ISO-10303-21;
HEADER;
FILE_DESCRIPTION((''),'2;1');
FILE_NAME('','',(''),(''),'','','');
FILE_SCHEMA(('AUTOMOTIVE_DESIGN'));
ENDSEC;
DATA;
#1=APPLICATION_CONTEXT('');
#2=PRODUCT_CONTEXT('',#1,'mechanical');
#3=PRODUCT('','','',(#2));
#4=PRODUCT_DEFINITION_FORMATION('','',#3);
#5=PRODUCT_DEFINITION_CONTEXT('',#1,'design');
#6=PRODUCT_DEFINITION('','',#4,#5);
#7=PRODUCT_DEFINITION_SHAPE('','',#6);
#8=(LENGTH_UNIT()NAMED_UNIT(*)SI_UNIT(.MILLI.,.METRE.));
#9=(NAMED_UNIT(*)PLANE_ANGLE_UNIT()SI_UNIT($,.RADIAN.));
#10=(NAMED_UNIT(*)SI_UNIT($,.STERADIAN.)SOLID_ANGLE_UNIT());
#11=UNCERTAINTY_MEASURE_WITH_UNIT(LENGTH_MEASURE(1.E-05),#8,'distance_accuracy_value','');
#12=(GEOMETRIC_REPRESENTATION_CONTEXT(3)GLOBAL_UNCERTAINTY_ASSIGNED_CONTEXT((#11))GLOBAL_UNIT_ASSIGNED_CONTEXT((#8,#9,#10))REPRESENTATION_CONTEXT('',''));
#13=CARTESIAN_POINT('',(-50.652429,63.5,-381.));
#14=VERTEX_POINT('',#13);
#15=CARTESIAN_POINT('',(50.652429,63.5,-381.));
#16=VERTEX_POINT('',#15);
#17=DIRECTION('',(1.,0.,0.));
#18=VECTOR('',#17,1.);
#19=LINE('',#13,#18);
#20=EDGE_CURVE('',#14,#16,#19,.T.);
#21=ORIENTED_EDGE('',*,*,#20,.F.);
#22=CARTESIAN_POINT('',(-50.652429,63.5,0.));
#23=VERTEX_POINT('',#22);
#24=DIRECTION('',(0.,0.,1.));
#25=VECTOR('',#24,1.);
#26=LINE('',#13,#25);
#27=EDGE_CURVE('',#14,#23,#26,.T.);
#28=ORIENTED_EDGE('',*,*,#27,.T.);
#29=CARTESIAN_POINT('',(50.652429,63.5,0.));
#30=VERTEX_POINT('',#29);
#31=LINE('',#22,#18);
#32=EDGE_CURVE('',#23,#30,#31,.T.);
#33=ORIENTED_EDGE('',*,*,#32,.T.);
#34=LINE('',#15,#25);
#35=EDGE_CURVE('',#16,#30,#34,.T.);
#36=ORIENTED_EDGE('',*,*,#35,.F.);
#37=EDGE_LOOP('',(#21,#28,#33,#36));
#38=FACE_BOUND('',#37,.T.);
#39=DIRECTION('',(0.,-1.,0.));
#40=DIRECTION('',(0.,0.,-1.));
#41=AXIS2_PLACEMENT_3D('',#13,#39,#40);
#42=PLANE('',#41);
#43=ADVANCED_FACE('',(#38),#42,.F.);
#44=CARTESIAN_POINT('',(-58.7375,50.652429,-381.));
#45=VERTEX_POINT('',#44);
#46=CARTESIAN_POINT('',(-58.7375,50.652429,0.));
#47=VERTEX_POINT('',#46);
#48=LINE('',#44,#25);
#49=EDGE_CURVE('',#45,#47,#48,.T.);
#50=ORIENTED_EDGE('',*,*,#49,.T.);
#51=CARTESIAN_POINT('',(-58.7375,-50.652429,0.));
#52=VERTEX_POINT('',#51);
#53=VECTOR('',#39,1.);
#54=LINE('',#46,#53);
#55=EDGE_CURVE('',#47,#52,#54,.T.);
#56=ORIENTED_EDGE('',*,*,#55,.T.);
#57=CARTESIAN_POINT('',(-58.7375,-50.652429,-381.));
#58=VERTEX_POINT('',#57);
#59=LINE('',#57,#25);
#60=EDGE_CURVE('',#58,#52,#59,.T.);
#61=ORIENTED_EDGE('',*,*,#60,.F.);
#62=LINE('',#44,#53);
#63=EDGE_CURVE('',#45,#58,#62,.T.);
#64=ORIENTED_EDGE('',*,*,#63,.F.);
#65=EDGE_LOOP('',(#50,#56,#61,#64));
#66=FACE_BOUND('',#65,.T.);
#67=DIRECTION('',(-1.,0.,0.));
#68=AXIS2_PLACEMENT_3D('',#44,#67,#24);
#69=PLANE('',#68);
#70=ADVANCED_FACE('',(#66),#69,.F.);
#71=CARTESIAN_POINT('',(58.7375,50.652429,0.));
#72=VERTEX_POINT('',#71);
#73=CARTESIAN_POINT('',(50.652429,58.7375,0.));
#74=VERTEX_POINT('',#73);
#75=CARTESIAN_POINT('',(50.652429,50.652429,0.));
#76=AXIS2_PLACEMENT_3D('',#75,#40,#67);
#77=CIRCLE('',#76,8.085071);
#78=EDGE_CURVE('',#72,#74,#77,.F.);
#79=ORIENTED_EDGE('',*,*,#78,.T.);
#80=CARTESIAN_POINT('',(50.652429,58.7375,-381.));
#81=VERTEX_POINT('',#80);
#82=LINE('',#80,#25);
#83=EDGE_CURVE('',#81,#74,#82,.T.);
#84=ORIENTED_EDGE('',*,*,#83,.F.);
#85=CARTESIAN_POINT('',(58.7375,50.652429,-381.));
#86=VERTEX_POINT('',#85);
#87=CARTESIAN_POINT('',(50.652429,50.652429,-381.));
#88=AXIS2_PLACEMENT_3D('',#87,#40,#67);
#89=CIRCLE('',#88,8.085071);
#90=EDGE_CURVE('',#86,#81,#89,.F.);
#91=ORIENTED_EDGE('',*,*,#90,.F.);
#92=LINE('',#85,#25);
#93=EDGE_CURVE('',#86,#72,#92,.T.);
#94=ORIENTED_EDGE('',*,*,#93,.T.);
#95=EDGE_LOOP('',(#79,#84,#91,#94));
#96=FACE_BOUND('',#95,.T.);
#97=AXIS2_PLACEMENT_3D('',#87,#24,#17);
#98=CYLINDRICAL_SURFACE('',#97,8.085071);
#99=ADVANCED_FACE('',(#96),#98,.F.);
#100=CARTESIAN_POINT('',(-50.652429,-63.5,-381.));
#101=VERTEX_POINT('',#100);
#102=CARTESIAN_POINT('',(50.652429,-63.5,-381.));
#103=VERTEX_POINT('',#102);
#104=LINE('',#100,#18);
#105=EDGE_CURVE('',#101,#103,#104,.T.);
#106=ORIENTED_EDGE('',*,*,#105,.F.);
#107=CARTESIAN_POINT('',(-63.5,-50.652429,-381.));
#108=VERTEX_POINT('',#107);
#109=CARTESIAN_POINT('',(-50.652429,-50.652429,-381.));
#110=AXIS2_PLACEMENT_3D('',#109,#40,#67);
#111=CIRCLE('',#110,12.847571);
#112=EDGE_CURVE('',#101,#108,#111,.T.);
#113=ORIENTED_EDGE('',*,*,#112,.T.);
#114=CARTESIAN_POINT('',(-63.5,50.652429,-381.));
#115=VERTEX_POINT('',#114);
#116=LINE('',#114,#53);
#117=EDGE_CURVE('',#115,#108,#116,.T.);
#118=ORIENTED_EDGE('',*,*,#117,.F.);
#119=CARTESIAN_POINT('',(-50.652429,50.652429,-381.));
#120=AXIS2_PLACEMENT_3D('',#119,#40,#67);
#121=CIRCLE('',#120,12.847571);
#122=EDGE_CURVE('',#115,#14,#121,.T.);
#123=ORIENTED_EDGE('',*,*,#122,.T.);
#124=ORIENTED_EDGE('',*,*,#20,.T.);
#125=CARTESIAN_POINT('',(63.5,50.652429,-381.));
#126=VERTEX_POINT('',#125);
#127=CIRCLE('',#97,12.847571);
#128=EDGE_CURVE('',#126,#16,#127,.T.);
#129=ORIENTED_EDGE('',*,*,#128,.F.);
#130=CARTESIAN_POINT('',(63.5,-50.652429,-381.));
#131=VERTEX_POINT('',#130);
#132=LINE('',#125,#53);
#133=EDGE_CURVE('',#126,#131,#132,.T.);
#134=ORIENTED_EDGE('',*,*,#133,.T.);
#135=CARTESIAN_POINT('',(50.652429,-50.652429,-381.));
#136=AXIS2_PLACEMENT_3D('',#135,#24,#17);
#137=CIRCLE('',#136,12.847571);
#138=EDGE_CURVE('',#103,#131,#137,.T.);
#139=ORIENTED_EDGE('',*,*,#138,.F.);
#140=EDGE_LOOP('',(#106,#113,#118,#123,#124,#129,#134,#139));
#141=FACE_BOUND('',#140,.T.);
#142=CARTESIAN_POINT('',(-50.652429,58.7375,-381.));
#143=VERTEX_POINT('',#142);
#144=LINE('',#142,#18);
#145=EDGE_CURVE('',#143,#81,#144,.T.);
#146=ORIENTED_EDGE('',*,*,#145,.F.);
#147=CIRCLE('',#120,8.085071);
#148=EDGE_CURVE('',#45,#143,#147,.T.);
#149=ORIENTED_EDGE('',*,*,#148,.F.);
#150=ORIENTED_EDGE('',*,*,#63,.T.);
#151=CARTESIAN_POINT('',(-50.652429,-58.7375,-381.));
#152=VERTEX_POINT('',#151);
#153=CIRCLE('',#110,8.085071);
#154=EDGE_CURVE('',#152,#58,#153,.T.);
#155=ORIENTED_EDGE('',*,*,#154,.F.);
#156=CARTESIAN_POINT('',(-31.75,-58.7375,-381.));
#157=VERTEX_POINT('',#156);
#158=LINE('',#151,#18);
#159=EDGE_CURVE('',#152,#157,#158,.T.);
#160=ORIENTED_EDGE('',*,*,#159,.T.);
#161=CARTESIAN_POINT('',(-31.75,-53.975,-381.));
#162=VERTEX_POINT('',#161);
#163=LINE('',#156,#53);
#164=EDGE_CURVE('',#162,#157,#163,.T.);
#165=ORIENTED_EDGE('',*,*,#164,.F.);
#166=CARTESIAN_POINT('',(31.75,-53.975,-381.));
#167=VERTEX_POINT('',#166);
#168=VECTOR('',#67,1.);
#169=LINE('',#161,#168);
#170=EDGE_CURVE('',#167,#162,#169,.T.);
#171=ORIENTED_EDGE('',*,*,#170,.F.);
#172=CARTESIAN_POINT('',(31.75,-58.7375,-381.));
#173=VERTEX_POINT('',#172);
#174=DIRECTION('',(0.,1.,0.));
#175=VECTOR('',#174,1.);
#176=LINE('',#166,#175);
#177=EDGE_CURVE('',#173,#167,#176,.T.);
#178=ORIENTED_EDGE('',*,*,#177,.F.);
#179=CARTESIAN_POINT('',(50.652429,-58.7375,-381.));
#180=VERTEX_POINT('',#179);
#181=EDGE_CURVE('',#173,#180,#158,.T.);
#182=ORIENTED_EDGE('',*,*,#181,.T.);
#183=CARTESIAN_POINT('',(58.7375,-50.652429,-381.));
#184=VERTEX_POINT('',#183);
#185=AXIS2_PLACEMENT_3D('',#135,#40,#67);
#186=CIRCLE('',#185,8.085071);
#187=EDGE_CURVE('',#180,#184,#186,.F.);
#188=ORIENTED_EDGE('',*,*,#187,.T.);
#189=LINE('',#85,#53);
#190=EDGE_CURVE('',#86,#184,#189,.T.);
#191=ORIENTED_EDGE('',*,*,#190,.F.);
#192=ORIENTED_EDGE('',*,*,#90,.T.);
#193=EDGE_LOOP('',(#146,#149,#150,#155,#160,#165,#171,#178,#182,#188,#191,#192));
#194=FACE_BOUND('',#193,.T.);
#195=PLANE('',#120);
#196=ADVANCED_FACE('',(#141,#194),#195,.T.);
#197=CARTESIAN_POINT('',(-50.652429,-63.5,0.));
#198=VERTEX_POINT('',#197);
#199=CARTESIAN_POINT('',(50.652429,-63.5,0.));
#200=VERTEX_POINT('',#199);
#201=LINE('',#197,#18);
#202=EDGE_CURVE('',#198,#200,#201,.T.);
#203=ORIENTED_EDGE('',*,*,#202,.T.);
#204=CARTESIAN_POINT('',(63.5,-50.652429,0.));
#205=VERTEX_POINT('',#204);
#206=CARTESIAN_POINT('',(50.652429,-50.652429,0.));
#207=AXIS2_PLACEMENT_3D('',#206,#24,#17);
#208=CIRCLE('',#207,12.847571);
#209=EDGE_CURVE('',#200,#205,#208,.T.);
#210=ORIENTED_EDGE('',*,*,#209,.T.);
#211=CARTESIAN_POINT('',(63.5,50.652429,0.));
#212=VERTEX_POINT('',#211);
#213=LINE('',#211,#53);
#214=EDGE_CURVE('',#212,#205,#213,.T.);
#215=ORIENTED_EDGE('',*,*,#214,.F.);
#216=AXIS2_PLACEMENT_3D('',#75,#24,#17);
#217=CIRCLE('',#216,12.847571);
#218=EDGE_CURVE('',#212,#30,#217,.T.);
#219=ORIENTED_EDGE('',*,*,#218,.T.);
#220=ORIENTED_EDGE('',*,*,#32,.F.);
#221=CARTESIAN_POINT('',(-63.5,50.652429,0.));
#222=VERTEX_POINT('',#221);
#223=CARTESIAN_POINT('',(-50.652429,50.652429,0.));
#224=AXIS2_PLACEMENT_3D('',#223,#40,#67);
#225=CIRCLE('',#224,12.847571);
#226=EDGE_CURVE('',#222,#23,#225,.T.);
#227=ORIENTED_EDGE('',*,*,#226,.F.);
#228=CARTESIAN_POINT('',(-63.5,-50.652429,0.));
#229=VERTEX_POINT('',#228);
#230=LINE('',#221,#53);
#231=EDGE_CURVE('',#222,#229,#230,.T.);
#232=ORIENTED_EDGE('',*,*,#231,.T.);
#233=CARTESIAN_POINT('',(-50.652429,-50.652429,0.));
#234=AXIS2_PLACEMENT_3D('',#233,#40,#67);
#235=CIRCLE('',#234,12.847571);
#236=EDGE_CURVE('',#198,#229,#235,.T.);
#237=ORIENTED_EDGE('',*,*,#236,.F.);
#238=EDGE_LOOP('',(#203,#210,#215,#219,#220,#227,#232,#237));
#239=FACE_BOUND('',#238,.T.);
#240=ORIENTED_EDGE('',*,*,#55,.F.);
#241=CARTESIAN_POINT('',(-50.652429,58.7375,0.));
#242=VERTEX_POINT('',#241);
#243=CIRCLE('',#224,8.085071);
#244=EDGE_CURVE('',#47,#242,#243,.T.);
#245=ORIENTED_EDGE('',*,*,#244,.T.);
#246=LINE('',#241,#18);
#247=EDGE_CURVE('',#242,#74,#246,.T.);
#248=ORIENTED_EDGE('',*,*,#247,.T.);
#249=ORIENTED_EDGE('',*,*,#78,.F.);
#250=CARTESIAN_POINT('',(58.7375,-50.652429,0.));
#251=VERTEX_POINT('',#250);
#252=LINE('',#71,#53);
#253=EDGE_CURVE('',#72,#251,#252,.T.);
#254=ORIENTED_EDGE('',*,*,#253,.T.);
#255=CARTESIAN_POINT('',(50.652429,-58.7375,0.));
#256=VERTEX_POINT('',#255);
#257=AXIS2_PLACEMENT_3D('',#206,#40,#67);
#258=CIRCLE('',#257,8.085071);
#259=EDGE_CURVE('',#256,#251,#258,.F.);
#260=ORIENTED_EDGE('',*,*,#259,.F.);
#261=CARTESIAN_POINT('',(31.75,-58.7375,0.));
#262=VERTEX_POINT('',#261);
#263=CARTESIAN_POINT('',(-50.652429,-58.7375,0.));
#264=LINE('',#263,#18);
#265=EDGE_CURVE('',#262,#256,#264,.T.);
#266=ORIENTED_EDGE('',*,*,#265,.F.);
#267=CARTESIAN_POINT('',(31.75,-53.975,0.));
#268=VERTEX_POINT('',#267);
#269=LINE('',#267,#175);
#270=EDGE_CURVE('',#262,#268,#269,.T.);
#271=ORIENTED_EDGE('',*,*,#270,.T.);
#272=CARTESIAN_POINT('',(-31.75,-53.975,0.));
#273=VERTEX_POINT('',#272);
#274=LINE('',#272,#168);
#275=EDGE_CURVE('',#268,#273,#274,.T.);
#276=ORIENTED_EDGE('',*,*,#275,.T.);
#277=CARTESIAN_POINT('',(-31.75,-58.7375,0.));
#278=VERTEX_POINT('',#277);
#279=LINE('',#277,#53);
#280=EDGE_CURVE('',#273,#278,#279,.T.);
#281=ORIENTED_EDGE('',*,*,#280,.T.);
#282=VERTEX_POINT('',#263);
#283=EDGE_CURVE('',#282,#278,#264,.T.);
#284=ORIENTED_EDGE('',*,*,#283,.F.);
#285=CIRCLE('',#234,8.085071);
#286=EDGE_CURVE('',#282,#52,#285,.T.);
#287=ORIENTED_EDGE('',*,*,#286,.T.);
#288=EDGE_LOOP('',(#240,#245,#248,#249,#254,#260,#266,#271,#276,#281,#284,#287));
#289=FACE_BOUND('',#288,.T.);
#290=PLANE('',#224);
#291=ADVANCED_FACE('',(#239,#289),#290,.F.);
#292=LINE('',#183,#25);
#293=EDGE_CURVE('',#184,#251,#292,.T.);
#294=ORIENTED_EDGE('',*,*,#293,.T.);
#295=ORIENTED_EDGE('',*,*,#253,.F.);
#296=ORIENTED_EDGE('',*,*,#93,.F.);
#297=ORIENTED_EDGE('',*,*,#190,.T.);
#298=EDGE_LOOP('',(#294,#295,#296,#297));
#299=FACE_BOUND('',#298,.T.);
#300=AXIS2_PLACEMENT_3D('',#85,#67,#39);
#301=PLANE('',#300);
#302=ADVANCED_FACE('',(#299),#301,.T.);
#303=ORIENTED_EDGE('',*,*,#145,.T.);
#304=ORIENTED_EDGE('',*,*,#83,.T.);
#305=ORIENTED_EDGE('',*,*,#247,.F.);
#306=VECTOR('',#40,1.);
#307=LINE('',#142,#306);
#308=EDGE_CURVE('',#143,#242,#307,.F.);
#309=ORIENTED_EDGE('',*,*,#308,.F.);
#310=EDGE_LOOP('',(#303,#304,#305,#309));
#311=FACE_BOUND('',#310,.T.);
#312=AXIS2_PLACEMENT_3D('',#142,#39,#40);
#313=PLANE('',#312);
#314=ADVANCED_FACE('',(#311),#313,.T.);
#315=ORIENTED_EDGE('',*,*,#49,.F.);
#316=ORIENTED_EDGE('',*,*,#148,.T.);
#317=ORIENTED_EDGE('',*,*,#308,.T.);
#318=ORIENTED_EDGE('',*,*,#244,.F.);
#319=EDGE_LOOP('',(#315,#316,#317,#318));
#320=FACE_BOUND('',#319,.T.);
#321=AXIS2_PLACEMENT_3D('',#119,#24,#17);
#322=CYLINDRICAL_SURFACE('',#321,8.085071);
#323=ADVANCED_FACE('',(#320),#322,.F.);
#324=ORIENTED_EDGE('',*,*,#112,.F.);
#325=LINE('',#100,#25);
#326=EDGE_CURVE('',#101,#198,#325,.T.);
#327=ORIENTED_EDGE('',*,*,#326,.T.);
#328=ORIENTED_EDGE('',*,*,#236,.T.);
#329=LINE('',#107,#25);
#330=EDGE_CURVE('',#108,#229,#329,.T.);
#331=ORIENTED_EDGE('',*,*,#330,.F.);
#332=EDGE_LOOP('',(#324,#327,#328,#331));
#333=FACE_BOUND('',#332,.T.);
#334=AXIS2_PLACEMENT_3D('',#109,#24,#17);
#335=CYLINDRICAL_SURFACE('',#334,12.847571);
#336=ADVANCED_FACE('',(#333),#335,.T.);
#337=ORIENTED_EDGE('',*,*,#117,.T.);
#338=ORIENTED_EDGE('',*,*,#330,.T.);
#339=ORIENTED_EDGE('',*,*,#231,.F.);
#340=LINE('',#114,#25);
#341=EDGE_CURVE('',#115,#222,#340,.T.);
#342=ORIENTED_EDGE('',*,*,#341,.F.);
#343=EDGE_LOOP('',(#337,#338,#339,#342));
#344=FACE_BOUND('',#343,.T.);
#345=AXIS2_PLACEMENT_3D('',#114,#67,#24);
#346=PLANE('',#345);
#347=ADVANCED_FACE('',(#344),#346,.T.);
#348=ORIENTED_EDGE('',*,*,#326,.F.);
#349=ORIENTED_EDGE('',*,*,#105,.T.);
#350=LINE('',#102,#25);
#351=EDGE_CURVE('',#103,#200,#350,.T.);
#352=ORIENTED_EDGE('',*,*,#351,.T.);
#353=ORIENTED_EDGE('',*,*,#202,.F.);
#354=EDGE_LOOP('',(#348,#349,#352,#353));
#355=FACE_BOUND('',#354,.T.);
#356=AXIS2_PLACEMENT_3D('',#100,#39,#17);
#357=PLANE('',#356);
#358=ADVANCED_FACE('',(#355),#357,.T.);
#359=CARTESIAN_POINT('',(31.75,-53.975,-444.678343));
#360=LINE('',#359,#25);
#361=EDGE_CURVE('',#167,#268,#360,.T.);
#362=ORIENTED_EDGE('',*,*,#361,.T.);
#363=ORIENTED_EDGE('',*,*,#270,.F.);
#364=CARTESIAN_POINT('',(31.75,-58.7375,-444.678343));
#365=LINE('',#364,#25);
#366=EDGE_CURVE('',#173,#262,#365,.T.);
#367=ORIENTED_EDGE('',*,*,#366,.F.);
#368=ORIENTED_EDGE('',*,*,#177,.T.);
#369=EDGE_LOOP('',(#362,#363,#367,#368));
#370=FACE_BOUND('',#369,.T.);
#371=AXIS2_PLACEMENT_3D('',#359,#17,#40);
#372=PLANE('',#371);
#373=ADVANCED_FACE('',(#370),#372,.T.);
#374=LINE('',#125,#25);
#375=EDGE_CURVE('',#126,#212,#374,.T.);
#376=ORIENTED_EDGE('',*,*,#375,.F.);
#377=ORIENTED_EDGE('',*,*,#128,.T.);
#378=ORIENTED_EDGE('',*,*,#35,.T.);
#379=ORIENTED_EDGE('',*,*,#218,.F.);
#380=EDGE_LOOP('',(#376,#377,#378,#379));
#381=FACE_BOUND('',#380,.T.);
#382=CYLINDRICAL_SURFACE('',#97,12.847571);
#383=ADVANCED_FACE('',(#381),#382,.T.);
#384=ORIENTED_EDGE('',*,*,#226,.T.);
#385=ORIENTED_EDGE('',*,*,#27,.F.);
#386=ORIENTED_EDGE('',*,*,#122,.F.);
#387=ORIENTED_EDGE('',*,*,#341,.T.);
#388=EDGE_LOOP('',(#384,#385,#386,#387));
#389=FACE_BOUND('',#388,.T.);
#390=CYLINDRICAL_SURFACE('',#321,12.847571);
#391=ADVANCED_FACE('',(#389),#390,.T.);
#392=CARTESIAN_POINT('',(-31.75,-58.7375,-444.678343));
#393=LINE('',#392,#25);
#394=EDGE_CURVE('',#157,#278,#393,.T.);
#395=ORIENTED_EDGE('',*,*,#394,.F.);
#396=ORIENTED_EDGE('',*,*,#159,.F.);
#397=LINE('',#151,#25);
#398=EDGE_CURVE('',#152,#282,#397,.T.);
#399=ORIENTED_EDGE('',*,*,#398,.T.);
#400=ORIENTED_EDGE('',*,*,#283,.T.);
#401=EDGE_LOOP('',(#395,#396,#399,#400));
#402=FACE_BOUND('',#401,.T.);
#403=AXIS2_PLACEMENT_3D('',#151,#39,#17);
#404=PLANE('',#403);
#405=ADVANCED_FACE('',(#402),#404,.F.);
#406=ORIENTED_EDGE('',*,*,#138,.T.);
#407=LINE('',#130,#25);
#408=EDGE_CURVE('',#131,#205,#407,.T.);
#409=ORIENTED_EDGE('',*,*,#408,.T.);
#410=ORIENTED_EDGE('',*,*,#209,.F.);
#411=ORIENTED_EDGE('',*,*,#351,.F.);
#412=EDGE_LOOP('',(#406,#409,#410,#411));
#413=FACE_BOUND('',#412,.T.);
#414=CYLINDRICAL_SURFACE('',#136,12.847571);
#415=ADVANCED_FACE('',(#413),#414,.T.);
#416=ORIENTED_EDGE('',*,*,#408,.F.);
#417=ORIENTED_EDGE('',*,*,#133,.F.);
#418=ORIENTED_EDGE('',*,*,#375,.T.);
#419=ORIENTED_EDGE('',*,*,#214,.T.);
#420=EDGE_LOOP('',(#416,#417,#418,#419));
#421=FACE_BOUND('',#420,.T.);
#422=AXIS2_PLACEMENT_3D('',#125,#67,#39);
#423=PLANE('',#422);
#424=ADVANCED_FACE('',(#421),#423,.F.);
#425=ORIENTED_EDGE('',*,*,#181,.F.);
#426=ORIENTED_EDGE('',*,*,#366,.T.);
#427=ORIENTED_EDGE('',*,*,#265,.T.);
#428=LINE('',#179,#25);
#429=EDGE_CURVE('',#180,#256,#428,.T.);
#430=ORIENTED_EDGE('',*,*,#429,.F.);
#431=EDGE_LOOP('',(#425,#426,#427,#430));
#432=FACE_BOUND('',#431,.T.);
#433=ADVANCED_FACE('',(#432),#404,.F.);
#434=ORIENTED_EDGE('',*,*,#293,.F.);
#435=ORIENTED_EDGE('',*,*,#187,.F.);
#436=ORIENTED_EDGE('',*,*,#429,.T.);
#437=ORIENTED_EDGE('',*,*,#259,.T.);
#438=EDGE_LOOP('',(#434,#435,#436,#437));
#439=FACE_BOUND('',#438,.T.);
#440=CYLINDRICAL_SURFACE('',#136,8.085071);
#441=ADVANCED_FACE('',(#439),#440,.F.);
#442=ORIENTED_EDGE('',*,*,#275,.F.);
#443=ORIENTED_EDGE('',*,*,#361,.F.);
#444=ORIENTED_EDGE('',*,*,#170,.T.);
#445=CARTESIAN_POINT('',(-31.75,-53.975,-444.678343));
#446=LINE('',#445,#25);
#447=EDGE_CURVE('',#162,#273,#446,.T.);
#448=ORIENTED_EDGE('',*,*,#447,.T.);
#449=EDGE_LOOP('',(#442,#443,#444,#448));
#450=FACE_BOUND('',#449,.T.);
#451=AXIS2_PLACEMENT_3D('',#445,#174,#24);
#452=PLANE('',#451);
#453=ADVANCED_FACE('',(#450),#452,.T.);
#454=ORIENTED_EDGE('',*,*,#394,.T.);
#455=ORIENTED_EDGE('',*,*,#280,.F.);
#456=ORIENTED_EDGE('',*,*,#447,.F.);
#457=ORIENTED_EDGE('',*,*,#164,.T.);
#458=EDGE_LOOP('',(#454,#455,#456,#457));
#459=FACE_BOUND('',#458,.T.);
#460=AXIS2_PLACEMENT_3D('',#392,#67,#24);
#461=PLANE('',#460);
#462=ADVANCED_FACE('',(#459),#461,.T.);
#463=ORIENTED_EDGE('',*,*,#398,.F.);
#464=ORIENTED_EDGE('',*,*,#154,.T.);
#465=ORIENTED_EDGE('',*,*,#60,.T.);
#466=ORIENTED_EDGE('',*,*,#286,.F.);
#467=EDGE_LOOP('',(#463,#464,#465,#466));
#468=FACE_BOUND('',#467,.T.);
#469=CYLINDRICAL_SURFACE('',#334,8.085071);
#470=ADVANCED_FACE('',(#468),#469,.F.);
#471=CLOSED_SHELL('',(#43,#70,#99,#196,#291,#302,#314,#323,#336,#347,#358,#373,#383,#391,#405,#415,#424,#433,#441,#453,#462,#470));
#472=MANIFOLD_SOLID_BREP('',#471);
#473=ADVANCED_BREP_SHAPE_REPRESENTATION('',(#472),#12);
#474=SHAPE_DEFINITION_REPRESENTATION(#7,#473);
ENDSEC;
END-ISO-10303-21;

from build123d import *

# Parameters (mm, degrees)
BOSS_EXTRUDE1_DEPTH = 381
SHELL1_T            = -4.7625
SKETCH3_W           = 63.5
SKETCH3_H           = 4.7625
BOSS_EXTRUDE2_DEPTH = 381


with BuildPart() as part:
    # Sketch1 → Boss-Extrude1 (new body)
    with BuildSketch(Plane.XY):
        with BuildLine():
            Line((-50.652428891, 63.5), (50.652428891, 63.5))
            ThreePointArc((50.652428891, 63.5), (59.737033544, 59.737033544), (63.5, 50.652428891))
            Line((63.5, 50.652428891), (63.5, -50.652428891))
            ThreePointArc((63.5, -50.652428891), (59.737033544, -59.737033544), (50.652428891, -63.5))
            Line((50.652428891, -63.5), (-50.652428891, -63.5))
            ThreePointArc((-50.652428891, -63.5), (-59.737033544, -59.737033544), (-63.5, -50.652428891))
            Line((-63.5, -50.652428891), (-63.5, 50.652428891))
            ThreePointArc((-63.5, 50.652428891), (-59.737033544, 59.737033544), (-50.652428891, 63.5))
        make_face()
    extrude(amount=-BOSS_EXTRUDE1_DEPTH)

    # Shell1
    shell1_openings = [part.faces().sort_by_distance(p)[0] for p in [
        (0, 0, -381),
        (0, 0, 0),
    ]]
    offset(amount=SHELL1_T, openings=shell1_openings, kind=Kind.INTERSECTION)

    # Sketch3 → Boss-Extrude2 (add)
    with BuildSketch(Plane.XY):
        with Locations((0, -56.35625)):
            Rectangle(SKETCH3_W, SKETCH3_H)
    extrude(amount=-BOSS_EXTRUDE2_DEPTH)


solid = part.part
